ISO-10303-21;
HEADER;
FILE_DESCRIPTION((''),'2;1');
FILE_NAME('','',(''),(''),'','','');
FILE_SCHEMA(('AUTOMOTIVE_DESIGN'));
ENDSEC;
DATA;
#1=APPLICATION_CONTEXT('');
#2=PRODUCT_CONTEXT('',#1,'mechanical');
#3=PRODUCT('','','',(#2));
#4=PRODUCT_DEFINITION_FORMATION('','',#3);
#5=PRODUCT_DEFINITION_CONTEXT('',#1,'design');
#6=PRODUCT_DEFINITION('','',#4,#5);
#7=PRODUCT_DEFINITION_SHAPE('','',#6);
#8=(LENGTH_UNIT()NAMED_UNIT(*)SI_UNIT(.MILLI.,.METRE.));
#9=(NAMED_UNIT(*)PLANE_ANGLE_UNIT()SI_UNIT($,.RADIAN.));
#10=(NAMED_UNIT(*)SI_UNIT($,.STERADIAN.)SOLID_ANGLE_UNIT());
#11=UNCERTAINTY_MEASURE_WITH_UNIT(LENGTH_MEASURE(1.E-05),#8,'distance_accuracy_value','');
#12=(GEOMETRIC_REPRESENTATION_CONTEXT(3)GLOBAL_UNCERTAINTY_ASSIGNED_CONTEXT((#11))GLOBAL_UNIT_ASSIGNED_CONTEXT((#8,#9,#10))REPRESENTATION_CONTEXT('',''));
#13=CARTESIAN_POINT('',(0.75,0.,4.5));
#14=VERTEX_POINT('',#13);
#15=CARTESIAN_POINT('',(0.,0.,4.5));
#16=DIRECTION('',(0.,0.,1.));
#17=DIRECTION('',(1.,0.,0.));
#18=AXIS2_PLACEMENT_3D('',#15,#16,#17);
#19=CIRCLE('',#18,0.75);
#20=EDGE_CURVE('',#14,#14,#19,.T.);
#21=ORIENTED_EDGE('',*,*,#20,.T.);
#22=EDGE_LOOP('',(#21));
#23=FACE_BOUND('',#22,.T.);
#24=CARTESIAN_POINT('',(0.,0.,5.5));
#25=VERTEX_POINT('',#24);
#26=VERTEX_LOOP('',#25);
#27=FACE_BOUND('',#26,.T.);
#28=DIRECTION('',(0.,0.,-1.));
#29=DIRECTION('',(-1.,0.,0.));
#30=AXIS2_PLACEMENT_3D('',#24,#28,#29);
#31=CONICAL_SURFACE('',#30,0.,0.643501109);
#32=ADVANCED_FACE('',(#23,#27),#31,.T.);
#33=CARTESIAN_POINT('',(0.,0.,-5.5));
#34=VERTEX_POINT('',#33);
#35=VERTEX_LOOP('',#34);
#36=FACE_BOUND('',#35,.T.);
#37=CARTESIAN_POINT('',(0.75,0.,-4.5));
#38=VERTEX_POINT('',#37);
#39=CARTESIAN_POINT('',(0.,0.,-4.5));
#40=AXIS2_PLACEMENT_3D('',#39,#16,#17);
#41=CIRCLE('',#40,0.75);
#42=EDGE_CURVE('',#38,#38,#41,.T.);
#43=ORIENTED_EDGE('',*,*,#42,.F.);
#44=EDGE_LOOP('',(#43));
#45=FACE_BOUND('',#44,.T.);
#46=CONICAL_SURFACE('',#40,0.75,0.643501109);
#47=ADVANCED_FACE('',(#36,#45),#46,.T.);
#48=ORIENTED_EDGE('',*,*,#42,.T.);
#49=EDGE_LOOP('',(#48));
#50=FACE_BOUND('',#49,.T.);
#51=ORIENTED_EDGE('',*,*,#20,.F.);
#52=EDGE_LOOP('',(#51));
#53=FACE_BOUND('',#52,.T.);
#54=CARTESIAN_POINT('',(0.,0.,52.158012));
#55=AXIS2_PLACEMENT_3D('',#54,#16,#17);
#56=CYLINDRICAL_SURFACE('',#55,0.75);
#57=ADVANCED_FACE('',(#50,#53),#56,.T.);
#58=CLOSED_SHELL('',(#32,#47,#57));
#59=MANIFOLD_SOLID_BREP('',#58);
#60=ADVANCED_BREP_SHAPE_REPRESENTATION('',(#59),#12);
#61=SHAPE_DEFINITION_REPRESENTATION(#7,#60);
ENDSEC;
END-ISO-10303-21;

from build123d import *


with BuildPart() as part:
    # 草图1 → 旋转1 (revolve)
    with BuildSketch(Plane(origin=(0, 0, 0), x_dir=(1, 0, 0), z_dir=(0, 1, 0))):
        Polygon((0, -5.5), (0.75, -4.5), (0.75, 4.5), (0, 5.5), align=None)
    revolve(axis=Axis((0, 0, 52.158011527), (0, 0, -1)))


solid = part.part
